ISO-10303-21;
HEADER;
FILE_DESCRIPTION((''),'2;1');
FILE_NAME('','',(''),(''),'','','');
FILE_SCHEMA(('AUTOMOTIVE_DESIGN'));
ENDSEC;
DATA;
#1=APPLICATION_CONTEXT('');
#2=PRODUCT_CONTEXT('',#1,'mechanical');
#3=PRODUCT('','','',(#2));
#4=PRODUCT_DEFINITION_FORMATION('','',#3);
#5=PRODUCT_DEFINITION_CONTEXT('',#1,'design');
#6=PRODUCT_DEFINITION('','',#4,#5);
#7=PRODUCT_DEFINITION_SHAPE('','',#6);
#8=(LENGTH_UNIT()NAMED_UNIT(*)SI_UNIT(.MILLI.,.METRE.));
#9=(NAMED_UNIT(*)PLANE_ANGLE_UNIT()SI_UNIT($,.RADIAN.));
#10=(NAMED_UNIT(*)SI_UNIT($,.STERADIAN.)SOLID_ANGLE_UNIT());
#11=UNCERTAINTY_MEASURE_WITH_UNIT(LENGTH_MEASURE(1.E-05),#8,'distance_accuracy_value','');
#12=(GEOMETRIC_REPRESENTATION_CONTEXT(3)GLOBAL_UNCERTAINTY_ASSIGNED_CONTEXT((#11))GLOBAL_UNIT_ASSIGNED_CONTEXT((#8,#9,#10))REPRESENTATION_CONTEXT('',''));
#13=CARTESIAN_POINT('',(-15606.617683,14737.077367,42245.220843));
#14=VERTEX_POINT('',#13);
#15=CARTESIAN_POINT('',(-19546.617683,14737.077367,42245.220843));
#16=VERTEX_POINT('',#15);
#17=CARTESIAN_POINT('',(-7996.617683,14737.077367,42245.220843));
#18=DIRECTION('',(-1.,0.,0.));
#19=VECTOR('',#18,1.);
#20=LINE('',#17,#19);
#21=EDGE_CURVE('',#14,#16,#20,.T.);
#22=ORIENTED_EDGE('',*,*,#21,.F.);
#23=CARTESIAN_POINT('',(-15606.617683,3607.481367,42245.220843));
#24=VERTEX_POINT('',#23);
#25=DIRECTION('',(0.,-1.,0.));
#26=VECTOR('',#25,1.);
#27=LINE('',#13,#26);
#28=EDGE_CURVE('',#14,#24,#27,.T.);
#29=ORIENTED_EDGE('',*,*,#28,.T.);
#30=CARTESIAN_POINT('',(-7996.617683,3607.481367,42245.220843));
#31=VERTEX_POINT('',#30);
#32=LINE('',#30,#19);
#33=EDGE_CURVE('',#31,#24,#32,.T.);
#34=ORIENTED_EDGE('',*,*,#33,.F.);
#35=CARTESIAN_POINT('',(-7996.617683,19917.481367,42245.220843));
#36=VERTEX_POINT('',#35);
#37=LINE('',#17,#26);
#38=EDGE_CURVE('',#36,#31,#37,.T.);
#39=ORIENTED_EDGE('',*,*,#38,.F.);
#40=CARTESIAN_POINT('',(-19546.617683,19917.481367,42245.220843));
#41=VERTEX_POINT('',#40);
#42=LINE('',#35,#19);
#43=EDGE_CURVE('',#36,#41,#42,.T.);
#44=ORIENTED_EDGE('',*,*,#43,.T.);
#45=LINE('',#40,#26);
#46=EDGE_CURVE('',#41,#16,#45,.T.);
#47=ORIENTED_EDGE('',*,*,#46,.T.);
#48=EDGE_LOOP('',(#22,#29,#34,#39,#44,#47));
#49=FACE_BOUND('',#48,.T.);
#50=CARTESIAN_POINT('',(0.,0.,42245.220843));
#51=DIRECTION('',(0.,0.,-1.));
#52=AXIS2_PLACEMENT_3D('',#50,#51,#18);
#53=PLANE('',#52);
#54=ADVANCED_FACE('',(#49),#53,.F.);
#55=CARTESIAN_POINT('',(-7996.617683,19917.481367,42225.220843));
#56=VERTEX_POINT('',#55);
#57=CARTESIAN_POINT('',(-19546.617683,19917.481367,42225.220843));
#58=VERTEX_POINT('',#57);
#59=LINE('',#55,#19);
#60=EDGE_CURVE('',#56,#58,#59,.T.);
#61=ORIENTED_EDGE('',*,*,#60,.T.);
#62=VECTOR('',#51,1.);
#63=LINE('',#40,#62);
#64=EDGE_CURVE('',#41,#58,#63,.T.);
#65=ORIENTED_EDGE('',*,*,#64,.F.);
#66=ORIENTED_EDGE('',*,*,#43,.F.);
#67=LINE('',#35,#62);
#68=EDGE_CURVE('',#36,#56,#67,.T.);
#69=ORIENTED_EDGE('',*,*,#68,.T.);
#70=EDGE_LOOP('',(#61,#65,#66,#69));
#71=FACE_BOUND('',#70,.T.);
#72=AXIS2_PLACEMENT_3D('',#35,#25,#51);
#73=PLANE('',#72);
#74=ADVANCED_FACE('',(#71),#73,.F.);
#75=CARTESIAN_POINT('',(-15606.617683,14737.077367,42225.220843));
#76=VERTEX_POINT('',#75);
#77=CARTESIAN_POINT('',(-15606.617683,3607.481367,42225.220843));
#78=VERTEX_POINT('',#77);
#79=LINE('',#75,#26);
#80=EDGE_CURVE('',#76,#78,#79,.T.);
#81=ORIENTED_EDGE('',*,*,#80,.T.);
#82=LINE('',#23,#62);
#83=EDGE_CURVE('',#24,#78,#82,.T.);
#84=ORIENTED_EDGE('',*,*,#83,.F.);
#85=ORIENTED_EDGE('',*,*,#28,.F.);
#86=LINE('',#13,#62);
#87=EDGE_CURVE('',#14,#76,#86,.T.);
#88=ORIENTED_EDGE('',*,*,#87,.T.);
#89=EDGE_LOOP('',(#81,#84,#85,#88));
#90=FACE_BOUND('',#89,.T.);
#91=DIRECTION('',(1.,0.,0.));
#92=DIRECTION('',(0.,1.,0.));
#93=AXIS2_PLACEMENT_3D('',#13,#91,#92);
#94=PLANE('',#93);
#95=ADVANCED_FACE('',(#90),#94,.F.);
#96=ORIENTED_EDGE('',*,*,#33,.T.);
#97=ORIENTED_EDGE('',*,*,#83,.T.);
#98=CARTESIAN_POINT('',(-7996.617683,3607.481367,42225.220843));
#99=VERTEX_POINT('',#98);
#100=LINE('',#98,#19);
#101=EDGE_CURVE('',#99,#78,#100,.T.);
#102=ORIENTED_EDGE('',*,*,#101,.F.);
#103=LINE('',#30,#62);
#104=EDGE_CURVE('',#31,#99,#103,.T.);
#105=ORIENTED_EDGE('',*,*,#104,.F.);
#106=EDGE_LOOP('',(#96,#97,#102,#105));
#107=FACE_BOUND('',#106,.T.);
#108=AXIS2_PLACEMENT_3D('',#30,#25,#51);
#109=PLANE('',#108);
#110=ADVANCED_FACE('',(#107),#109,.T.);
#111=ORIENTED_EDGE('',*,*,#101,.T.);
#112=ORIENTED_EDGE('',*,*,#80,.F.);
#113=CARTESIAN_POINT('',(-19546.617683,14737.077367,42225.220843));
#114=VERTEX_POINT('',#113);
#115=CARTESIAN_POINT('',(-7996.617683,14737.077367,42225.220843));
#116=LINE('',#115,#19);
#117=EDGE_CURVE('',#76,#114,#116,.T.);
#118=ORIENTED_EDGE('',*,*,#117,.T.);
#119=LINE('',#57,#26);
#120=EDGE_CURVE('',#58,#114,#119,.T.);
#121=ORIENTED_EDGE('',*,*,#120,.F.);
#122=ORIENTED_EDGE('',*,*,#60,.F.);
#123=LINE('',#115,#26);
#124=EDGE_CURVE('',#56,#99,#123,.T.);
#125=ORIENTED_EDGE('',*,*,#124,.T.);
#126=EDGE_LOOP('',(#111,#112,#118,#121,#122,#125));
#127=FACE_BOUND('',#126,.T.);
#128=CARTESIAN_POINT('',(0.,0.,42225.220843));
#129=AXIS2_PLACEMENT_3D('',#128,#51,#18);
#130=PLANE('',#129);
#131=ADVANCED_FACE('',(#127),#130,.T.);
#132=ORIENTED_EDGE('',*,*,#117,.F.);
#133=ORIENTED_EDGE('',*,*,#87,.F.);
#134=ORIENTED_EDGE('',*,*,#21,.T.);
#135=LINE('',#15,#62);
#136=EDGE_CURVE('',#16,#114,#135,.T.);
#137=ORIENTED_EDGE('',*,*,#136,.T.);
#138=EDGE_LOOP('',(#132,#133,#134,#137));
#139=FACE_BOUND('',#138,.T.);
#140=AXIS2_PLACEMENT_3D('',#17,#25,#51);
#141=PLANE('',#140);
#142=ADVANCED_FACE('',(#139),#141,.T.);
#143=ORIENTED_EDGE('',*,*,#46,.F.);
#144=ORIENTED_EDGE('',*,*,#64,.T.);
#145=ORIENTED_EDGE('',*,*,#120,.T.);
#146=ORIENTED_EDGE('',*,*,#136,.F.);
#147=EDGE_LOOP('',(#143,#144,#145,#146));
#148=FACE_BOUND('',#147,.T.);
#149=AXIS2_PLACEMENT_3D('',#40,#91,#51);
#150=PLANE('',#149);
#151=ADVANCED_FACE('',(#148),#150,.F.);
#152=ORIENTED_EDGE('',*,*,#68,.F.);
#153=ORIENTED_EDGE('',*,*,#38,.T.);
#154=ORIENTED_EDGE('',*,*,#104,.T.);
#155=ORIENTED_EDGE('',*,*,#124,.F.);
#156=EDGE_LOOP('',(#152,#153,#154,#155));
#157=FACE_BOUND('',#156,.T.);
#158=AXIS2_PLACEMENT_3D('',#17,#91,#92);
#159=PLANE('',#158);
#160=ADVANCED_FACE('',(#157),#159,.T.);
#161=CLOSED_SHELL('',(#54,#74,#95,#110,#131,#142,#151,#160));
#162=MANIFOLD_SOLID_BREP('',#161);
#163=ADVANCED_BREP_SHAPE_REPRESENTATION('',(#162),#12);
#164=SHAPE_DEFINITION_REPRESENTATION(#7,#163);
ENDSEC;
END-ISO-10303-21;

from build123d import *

# Parameters (mm, degrees)
SKETCH1_W           = 7610
SKETCH1_H           = 11129.596
BOSS_EXTRUDE1_DEPTH = 20


with BuildPart() as part:
    # Sketch1 → Boss-Extrude1 (new body)
    with BuildSketch(Plane.XY.offset(42225.220842973)):
        Polygon((-7996.617683291, 14737.077366586), (-7996.617683291, 19917.481366586), (-19546.617683291, 19917.481366586), (-19546.617683291, 14737.077366586), (-15606.617683291, 14737.077366586), align=None)
        with Locations((-11801.617683291, 9172.279366586)):
            Rectangle(SKETCH1_W, SKETCH1_H)
    extrude(amount=BOSS_EXTRUDE1_DEPTH)


solid = part.part
